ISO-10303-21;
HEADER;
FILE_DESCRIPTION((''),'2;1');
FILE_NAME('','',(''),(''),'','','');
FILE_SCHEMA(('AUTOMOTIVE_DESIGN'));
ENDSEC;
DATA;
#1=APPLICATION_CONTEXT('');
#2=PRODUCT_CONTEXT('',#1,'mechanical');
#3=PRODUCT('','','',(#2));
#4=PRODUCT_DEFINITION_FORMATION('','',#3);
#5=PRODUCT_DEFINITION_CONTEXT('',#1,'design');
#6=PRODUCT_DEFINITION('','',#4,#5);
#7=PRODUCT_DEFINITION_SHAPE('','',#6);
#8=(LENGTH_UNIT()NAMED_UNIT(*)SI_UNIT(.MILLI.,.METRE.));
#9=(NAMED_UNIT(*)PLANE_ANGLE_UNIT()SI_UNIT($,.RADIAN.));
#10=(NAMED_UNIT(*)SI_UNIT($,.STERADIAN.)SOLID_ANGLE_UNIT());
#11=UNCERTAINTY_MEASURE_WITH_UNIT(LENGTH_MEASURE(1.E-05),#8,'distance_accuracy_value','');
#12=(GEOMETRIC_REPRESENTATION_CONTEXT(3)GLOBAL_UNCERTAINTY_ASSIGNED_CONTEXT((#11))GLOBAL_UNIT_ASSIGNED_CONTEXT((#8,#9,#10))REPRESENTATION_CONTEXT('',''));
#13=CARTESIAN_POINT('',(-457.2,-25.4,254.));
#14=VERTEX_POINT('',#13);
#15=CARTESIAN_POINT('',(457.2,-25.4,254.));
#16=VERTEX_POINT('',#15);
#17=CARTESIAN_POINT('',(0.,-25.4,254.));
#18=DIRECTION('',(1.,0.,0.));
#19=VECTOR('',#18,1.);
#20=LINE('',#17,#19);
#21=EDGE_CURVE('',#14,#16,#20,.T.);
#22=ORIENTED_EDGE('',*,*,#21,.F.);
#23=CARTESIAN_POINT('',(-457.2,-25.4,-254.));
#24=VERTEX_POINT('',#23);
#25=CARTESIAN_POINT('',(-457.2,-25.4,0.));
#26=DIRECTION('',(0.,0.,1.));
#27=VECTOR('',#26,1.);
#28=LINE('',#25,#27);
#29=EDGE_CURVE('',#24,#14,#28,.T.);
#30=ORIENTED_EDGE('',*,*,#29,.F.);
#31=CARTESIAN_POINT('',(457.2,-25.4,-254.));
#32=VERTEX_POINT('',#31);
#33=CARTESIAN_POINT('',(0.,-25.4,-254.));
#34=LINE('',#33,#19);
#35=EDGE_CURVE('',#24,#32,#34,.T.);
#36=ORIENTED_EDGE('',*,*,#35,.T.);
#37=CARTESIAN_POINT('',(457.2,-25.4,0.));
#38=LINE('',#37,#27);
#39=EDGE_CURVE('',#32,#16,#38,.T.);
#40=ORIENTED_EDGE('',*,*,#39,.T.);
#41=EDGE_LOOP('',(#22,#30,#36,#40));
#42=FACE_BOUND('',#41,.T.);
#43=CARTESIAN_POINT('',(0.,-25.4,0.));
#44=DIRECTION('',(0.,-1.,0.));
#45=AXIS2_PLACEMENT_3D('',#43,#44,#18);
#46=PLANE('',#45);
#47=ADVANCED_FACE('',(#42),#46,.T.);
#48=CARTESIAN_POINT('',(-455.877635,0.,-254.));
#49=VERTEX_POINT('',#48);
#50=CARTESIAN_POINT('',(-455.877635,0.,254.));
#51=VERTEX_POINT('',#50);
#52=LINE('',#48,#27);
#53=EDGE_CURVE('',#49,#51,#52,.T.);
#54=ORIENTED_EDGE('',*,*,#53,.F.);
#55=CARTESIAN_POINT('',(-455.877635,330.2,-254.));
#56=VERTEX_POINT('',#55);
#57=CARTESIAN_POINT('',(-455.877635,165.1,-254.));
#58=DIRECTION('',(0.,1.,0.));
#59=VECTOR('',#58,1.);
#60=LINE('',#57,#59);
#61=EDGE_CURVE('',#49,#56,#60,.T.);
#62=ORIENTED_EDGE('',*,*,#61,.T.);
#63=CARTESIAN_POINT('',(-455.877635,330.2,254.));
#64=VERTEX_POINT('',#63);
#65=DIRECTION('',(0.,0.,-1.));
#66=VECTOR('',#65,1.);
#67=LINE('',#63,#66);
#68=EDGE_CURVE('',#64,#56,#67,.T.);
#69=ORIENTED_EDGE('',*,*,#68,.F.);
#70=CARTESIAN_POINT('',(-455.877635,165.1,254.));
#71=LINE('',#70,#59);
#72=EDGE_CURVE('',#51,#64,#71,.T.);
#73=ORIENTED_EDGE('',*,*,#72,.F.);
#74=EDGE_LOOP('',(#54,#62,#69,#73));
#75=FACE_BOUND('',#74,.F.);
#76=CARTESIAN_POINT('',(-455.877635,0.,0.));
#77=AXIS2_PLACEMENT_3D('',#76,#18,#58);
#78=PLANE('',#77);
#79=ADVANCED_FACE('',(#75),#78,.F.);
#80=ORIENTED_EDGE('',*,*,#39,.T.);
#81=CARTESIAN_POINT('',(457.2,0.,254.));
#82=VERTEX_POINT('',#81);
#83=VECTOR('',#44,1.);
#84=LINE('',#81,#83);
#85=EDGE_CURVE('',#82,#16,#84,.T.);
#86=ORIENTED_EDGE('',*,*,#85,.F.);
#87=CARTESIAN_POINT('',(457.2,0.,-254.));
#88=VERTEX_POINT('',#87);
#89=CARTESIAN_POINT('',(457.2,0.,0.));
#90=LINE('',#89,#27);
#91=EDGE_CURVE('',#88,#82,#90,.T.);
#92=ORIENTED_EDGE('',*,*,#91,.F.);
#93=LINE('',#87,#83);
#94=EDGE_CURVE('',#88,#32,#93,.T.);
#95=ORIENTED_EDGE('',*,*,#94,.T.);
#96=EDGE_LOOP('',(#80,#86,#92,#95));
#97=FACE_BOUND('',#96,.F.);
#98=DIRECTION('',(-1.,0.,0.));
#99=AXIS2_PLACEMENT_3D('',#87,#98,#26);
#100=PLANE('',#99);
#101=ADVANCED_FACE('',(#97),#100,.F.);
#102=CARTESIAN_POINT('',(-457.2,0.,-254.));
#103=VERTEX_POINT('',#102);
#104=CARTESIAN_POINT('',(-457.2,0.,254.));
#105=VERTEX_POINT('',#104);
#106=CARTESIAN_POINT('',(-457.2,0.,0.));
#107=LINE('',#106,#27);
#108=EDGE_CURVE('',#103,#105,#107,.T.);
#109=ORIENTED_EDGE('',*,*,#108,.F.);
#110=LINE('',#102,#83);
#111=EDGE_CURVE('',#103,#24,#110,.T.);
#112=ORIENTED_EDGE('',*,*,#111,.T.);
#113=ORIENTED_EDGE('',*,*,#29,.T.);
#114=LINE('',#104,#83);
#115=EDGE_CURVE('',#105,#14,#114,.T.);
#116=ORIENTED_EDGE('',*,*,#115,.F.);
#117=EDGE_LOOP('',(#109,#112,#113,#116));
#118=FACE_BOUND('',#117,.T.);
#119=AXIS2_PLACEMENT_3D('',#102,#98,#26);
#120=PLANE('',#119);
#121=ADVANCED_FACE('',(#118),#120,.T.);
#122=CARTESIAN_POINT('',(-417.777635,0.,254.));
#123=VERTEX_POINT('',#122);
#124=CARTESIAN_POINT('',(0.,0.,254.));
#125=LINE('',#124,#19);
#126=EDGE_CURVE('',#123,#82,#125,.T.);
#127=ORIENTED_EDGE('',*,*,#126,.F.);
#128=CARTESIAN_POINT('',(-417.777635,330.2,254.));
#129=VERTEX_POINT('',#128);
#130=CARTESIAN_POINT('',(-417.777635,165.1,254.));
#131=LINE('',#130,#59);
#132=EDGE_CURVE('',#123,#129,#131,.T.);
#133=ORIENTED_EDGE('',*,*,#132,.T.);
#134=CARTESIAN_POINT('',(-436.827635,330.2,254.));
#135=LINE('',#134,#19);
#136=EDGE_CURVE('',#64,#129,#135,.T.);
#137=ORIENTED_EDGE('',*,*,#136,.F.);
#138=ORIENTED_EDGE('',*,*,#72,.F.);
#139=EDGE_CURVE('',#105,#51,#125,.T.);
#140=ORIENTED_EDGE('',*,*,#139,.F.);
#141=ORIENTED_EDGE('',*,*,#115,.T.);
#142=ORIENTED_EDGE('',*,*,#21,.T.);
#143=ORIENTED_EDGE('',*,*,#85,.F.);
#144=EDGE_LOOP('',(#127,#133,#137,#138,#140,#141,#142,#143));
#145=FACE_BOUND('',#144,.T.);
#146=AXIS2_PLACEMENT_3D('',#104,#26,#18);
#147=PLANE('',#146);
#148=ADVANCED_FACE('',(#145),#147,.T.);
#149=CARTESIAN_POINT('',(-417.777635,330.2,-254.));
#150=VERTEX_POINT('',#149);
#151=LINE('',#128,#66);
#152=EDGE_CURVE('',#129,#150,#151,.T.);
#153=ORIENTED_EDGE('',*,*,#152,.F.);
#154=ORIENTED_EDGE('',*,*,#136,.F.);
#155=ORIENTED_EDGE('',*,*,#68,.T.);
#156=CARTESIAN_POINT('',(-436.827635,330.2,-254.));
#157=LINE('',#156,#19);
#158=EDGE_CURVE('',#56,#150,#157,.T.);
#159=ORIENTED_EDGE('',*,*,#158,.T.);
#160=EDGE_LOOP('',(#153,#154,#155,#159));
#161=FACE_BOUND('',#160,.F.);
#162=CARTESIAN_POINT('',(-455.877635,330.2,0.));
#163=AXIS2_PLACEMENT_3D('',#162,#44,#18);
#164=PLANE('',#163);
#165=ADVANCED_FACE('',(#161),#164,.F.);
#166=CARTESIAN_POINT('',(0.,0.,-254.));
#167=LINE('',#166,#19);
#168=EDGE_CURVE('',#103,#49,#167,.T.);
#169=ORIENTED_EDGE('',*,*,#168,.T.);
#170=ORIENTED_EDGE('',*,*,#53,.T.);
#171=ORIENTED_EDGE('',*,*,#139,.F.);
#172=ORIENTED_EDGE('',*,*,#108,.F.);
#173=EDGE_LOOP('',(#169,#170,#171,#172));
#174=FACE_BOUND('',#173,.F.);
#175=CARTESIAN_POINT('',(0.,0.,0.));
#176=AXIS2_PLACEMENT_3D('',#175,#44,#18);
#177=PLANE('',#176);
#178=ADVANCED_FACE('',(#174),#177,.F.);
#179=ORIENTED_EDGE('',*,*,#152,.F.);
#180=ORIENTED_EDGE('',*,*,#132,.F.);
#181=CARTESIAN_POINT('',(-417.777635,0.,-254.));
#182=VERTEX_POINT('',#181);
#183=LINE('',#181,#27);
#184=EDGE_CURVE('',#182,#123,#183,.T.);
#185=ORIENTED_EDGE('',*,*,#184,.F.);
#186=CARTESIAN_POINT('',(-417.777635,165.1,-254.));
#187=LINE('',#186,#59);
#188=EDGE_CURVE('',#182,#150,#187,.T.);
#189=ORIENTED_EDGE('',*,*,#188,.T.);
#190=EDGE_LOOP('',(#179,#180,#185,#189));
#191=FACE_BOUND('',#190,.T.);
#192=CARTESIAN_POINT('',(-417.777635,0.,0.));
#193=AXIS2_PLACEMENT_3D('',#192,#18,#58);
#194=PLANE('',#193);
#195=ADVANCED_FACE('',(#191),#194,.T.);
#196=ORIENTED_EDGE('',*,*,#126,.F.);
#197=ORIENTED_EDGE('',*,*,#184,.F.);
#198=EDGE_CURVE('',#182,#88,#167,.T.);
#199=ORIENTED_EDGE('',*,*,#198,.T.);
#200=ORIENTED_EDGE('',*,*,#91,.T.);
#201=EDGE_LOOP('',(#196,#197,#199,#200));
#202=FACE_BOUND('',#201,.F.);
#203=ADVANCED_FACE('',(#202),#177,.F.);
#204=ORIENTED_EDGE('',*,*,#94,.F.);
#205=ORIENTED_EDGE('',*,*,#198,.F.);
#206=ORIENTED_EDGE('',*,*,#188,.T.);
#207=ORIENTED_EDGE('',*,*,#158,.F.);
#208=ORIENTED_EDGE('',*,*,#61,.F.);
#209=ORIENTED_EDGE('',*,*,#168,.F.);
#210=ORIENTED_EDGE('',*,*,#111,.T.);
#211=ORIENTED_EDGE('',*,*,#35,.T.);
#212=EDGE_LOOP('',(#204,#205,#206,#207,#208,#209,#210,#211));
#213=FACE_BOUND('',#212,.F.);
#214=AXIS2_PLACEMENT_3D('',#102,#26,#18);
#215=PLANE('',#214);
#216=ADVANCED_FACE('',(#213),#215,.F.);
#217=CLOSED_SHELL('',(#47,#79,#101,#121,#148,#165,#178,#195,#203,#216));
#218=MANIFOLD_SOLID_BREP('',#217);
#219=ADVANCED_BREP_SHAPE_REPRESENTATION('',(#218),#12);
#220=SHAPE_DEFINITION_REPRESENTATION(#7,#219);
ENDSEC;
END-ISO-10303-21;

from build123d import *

# Parameters (mm, degrees)
F0_W     = 914.4
F0_H     = 508
F1_DEPTH = 25.4
F2_W     = 38.1
F2_H     = 330.2
F3_DEPTH = 254


with BuildPart() as f1:
    # F0 (on Front) → F1 (new body)
    with BuildSketch(Plane.XZ):
        Rectangle(F0_W, F0_H)
    extrude(amount=F1_DEPTH)

    # F2 (on Top) → F3 (join, symmetric)
    with BuildSketch(Plane.XY):
        with Locations((-436.827635, 165.1)):
            Rectangle(F2_W, F2_H)
    extrude(amount=F3_DEPTH, both=True)


solid = f1.part
